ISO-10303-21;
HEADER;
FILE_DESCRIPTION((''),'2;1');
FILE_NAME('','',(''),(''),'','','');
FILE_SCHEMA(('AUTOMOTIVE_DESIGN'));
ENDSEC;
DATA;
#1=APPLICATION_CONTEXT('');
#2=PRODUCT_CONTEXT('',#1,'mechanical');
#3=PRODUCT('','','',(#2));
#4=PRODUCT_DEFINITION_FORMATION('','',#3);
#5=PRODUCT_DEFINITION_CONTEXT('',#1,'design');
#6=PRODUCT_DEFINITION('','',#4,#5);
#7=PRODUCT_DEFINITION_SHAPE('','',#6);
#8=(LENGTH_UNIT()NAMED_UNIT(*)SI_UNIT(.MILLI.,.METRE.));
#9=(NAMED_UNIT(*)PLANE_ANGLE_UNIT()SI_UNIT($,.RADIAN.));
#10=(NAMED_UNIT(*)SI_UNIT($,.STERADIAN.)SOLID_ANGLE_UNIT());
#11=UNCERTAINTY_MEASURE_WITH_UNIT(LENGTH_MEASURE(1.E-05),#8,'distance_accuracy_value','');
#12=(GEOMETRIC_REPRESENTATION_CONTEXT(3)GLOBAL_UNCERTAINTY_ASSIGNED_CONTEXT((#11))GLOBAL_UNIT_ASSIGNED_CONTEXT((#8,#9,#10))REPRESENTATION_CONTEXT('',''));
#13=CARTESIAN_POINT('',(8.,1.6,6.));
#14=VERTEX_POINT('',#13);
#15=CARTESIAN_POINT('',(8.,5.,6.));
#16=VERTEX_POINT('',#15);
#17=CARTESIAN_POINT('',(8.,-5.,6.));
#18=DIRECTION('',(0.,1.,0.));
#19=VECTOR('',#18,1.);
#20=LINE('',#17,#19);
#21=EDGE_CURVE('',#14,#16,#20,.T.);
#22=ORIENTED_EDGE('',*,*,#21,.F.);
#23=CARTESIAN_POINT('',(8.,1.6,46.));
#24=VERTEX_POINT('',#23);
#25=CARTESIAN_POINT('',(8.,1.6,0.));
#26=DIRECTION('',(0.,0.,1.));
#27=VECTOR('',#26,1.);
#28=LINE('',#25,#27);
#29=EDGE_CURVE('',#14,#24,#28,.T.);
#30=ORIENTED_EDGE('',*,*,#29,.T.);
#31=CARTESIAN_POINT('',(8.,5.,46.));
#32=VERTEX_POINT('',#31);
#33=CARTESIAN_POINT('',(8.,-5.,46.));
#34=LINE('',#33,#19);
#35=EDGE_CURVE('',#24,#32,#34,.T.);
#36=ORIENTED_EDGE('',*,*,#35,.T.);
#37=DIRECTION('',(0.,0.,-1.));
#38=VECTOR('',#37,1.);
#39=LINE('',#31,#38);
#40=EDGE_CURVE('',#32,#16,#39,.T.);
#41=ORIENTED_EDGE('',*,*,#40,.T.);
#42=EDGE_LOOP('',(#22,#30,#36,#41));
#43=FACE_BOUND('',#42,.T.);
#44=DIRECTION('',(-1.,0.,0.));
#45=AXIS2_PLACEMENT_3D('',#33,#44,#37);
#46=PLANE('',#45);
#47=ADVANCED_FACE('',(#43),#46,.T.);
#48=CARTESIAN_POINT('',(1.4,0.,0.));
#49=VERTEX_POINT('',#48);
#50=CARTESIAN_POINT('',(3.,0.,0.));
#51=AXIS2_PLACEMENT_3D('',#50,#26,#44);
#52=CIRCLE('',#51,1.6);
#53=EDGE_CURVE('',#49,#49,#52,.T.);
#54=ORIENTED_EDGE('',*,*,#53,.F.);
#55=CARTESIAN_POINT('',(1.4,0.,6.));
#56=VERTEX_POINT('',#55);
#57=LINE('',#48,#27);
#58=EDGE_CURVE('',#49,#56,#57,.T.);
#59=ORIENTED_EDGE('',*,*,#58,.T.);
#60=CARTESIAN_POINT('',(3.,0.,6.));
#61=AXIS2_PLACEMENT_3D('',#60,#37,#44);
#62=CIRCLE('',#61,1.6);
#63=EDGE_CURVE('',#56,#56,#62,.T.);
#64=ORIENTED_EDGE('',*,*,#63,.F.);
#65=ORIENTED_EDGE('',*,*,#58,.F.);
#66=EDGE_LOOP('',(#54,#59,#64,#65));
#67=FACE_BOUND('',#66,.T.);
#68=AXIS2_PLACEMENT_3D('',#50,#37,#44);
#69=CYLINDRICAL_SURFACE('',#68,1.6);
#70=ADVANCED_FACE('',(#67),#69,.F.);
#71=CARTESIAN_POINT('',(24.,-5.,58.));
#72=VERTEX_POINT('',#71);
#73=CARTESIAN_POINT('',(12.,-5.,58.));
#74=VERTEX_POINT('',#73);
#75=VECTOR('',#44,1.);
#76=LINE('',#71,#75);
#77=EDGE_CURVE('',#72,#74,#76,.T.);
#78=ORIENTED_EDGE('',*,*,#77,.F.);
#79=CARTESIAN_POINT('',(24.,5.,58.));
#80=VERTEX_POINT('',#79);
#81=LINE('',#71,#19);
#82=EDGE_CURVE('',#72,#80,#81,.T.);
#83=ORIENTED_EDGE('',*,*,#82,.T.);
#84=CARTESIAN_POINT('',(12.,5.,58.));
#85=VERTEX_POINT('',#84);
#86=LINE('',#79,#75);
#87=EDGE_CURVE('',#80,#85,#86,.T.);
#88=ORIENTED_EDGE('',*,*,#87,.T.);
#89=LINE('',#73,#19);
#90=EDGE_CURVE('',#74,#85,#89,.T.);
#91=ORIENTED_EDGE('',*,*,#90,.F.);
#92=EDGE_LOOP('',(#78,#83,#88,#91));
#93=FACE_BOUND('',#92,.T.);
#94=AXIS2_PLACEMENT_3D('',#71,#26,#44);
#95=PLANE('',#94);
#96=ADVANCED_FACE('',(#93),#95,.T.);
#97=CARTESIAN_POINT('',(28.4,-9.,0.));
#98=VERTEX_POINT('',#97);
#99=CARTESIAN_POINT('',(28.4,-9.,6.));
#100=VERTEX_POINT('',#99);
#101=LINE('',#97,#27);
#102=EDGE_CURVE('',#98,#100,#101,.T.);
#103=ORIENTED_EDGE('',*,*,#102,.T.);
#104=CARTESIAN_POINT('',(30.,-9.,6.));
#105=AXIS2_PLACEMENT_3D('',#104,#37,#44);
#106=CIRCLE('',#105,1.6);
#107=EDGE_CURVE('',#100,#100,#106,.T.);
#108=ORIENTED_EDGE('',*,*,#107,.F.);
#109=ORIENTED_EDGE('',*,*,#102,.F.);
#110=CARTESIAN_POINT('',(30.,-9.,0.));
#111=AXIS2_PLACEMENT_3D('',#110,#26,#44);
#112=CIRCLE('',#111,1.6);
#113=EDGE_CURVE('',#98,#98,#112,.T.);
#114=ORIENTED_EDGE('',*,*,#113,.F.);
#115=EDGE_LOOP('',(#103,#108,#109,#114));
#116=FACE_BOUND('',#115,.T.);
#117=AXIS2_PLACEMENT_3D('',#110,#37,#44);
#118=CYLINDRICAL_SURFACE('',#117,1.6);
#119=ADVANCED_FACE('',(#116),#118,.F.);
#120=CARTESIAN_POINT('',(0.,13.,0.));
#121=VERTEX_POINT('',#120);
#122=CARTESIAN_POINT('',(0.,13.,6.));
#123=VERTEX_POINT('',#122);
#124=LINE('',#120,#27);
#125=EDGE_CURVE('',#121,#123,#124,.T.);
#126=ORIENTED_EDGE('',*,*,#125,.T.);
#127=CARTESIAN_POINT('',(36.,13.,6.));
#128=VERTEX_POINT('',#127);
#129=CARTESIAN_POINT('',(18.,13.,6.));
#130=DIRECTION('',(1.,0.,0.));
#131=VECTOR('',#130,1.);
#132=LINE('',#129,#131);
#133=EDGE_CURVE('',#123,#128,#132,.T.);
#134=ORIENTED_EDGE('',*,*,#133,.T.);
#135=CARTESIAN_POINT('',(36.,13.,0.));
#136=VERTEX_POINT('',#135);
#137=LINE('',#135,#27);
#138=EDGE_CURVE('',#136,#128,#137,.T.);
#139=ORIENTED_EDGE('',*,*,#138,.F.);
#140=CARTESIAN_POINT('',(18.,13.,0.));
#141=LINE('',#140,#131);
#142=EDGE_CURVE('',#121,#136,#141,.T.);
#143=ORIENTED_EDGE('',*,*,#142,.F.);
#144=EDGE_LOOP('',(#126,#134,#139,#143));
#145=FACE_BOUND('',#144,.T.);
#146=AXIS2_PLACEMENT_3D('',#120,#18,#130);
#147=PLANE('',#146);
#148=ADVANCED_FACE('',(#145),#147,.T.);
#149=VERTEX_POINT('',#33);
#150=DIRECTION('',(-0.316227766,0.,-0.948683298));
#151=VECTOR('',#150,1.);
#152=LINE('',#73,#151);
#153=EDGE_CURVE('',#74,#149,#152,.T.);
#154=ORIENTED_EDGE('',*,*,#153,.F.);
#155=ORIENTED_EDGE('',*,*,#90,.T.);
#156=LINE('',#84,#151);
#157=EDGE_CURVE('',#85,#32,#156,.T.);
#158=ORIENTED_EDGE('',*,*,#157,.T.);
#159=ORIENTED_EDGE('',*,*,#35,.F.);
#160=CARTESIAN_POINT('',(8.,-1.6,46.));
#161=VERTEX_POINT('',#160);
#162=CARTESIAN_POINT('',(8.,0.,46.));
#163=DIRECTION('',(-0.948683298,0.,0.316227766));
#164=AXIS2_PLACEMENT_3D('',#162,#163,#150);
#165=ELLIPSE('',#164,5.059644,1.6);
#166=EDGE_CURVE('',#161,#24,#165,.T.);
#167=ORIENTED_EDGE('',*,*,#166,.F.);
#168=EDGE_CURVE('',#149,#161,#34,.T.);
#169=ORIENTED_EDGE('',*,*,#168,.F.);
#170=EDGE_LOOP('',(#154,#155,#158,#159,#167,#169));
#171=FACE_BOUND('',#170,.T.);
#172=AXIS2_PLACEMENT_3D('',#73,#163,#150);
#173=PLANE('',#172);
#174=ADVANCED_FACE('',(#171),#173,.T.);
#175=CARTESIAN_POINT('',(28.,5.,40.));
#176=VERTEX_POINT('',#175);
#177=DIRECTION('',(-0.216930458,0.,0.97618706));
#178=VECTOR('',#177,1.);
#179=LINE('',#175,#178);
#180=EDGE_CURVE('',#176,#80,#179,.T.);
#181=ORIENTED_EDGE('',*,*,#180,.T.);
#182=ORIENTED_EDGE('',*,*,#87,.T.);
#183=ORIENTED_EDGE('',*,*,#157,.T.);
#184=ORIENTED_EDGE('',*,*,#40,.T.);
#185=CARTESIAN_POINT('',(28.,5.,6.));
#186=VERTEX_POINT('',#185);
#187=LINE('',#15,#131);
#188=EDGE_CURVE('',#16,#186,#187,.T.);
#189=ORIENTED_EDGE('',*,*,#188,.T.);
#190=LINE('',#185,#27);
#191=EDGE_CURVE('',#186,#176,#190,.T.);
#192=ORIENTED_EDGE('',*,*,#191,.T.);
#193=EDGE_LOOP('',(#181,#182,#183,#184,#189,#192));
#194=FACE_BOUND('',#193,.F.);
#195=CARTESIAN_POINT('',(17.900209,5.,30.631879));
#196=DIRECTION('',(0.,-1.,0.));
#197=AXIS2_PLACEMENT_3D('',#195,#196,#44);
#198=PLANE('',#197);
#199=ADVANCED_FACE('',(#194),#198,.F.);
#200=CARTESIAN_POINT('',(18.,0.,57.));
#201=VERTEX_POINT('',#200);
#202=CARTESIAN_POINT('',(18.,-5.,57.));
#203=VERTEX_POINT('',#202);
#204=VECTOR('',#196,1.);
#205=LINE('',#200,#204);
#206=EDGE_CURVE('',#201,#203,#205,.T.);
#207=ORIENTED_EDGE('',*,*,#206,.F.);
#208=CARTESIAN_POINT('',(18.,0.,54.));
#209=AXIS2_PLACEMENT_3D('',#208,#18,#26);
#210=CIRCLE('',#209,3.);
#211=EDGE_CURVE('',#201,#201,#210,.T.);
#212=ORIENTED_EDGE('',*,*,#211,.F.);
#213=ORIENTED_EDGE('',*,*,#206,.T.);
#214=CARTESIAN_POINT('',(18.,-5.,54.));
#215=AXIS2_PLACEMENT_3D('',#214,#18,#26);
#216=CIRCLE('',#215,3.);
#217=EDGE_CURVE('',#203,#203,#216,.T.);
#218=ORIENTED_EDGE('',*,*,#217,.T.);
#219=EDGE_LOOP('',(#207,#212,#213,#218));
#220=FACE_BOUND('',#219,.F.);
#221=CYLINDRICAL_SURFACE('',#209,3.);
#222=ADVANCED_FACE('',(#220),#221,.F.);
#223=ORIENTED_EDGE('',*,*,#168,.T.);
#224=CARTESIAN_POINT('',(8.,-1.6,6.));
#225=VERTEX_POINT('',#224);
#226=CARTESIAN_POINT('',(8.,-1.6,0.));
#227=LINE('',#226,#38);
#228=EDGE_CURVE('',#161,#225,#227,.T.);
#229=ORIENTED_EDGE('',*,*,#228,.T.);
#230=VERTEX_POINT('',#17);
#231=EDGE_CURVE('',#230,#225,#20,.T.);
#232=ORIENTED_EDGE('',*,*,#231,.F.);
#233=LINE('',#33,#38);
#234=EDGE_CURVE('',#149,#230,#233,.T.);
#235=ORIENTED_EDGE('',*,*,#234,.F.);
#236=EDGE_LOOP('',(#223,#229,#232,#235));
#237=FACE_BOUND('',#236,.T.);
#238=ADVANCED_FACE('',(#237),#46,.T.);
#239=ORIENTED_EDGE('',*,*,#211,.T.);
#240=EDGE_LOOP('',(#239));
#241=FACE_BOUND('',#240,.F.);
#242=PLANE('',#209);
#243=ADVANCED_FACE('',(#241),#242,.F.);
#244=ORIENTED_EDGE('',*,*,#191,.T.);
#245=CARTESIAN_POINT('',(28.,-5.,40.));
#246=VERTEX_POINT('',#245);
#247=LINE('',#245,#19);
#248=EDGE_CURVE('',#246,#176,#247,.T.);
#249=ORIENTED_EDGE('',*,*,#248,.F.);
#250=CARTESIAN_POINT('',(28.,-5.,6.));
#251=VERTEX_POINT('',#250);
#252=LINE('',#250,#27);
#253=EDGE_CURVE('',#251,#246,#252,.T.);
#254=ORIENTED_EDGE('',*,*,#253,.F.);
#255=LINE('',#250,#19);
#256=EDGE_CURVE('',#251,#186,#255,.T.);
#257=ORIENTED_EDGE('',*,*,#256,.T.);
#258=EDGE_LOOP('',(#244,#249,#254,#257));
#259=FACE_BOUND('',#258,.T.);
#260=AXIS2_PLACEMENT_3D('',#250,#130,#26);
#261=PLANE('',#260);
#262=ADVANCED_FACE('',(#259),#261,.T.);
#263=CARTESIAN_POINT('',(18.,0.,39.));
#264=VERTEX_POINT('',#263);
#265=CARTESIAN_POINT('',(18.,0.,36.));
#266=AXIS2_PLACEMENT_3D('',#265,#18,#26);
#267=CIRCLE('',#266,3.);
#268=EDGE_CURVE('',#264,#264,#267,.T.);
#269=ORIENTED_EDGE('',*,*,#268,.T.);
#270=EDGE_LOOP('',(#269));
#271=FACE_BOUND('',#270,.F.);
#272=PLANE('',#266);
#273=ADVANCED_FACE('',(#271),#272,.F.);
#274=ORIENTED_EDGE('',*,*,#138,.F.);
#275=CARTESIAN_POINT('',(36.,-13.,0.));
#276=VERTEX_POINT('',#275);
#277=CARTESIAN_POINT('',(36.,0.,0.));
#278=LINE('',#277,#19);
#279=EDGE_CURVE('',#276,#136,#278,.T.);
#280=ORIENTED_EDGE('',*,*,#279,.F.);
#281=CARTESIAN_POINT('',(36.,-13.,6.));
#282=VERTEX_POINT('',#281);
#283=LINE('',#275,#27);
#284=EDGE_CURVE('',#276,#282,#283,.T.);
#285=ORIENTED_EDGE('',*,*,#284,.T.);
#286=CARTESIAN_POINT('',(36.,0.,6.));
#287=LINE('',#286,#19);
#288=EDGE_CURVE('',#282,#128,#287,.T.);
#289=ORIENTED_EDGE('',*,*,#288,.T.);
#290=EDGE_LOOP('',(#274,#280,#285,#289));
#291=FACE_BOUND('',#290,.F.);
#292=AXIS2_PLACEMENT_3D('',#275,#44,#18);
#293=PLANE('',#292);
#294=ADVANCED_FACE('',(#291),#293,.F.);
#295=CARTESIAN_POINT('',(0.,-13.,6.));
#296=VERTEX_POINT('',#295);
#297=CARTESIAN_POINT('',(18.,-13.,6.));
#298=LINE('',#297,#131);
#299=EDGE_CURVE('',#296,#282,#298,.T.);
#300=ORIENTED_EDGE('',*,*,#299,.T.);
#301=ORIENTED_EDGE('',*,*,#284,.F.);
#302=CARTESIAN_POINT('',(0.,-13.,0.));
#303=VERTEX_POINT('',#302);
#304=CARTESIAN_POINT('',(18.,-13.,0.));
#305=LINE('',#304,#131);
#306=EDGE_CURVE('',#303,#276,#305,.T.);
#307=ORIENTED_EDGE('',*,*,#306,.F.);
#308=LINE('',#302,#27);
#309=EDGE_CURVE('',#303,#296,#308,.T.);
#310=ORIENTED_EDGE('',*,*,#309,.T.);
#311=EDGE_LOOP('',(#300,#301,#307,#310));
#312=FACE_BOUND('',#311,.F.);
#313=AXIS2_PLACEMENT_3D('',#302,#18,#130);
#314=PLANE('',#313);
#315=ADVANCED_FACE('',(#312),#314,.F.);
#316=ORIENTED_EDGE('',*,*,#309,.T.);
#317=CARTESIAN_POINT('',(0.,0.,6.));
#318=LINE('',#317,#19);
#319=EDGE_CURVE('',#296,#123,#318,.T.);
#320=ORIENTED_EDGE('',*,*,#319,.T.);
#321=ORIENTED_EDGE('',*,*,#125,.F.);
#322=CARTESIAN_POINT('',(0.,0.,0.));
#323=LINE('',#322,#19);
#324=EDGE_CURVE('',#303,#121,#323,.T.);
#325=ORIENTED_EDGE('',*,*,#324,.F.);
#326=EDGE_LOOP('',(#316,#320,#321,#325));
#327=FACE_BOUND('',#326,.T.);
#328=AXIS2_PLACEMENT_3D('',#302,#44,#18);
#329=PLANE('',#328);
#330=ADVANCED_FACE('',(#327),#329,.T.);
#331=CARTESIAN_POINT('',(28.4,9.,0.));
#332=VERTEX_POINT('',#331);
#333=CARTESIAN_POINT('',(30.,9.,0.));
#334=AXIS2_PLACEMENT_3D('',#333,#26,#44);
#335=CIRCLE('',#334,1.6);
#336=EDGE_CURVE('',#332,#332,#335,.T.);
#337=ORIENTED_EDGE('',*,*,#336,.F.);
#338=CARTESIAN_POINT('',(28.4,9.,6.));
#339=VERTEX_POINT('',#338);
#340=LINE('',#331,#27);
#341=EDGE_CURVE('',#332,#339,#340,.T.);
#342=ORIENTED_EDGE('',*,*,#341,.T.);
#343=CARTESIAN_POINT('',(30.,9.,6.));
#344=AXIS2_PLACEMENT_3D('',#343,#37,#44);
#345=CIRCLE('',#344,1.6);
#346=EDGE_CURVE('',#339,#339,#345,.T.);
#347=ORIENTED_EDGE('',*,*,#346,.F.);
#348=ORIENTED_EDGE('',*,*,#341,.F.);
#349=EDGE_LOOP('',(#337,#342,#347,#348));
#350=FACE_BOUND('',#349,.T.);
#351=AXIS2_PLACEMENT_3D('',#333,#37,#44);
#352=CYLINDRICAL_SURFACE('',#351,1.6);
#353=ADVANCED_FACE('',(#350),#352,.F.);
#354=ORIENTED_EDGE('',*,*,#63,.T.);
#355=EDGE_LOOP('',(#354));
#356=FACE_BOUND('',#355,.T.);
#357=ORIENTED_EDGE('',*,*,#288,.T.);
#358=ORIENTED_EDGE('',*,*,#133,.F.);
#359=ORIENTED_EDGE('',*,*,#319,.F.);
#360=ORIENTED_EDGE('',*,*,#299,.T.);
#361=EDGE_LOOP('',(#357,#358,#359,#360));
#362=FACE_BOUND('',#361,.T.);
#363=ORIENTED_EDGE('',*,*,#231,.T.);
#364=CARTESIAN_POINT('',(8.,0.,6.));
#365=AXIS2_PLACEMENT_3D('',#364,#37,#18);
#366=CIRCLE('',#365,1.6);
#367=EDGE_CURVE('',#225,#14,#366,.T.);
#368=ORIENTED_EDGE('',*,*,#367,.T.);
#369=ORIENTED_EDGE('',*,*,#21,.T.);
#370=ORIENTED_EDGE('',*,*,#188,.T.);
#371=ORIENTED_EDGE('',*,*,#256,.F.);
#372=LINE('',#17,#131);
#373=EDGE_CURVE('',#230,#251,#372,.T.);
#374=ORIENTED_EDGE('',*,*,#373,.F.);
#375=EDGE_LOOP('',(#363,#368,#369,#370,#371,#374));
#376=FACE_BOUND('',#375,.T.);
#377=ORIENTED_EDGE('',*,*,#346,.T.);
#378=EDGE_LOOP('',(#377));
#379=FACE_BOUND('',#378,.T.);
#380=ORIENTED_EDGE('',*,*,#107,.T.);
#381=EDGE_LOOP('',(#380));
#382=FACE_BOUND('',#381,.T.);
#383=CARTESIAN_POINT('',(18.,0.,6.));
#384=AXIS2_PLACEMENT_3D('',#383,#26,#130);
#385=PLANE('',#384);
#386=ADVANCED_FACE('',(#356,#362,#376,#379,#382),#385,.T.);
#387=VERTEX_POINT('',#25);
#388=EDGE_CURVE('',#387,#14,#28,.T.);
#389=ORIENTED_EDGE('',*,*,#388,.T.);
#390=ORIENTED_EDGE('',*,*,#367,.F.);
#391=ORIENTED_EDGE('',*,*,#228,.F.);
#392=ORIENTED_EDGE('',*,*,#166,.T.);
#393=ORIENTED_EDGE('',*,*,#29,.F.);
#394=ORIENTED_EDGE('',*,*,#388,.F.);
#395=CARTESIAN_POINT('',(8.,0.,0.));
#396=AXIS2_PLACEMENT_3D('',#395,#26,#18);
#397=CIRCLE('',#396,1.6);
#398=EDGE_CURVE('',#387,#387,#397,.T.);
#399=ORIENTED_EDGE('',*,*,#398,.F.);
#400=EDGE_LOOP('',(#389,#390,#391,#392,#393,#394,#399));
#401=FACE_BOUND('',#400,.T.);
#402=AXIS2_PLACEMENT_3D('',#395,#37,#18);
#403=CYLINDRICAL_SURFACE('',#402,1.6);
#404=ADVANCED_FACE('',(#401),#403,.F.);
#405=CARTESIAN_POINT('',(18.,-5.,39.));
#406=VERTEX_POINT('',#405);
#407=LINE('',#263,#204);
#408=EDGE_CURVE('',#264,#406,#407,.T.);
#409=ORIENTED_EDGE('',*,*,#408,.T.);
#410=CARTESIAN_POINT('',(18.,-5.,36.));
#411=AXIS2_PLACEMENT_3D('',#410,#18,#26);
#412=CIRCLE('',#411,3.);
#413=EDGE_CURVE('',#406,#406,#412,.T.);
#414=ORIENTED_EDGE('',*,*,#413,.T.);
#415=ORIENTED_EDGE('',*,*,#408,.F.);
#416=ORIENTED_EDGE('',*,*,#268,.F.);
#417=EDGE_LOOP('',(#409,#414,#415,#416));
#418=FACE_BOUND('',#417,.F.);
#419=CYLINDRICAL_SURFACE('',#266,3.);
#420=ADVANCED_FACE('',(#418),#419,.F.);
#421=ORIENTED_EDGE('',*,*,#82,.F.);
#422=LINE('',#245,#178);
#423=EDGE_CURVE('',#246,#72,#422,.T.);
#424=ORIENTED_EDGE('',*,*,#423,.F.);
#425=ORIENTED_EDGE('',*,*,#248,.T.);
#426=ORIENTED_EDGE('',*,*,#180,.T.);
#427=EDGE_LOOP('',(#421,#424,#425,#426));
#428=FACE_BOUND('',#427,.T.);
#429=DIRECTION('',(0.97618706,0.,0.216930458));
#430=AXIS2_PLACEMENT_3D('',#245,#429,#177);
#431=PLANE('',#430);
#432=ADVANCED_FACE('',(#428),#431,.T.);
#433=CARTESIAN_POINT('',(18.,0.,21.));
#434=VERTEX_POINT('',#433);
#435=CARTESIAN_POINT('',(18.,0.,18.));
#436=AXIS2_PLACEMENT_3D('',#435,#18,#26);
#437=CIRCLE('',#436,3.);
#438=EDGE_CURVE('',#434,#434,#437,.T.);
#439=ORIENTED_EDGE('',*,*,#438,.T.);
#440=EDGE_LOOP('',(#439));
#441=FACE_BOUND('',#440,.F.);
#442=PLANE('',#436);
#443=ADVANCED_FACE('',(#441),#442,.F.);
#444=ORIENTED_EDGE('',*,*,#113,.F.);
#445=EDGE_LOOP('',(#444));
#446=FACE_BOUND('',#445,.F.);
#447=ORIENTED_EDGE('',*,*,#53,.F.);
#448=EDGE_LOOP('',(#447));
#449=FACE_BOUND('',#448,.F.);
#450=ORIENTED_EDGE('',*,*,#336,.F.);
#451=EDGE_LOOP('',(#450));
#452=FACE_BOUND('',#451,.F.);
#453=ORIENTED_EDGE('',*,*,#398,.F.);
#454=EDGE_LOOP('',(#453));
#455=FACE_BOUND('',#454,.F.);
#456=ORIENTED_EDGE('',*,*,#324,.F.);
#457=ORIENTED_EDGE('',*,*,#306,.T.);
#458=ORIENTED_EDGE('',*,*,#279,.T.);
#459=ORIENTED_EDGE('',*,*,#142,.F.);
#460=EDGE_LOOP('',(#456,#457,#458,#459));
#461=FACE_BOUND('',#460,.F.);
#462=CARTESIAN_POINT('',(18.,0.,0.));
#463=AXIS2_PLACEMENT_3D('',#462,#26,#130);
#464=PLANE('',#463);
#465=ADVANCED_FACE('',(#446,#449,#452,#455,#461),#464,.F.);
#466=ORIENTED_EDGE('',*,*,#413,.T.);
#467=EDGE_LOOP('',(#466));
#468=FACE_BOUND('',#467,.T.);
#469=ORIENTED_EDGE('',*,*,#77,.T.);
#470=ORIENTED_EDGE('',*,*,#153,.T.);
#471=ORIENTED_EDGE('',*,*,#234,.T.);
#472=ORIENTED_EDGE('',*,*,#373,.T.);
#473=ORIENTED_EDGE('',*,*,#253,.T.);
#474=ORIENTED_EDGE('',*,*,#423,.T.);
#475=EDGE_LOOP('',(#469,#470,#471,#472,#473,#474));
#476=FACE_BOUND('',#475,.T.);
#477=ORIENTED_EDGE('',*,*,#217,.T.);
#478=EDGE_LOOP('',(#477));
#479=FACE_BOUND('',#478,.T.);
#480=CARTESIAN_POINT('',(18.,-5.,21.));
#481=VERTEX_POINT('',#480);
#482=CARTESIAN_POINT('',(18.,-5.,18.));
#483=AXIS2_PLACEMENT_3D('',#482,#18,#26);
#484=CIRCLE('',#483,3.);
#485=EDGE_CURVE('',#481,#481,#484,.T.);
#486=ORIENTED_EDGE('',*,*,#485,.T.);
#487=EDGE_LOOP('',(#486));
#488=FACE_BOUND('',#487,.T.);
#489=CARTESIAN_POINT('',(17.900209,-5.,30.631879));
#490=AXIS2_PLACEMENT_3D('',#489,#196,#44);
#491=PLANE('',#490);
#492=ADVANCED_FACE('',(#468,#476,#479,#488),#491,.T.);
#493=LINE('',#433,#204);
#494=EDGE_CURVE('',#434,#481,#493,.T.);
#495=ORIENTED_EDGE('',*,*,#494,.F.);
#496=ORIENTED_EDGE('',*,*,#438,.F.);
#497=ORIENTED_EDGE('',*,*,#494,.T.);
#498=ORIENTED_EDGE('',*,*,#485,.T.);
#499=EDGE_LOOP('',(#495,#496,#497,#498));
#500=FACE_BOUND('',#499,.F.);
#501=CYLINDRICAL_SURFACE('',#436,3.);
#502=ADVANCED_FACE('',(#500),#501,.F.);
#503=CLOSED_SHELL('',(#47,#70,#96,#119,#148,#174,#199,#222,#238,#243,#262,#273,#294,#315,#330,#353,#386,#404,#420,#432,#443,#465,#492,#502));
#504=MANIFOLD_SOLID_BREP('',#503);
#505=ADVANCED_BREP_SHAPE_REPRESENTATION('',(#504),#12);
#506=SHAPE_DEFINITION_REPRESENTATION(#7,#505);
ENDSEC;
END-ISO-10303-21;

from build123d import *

# Parameters (mm, degrees)
SKETCH_1_W          = 36
SKETCH_1_H          = 26
EXTRUDE_1_DEPTH     = 6
EXTRUDE_START       = -5
EXTRUDE_2_DEPTH     = 10
SKETCH_3_R          = 1.6
CUT_EXTRUDE_2_DEPTH = 70.491006612
SKETCH_4_R          = 3
CUT_EXTRUDE_3_DEPTH = 70.491006612


with BuildPart() as part:
    # 草图1 → 凸台-拉伸1 (new body)
    with BuildSketch(Plane.XY):
        with Locations((18, 0)):
            Rectangle(SKETCH_1_W, SKETCH_1_H)
    extrude(amount=EXTRUDE_1_DEPTH)

    # 草图2 → 凸台-拉伸2 (add)
    with BuildSketch(Plane(origin=(0, 0, 0), x_dir=(1, 0, 0), z_dir=(0, 1, 0)).offset(EXTRUDE_START)):
        Polygon((8, -6), (28, -6), (28, -40), (24, -58), (12, -58), (8, -46), align=None)
    extrude(amount=EXTRUDE_2_DEPTH)

    # 草图3 → 切除-拉伸2 (cut, through all)
    with BuildSketch(Plane.XY):
        with Locations(Location((8, 0, 0), (0, 0, 90))):
            Circle(SKETCH_3_R)
        with Locations(Location((30, -9, 0), (0, 0, 180))):
            Circle(SKETCH_3_R)
        with Locations(Location((30, 9, 0), (0, 0, 180))):
            Circle(SKETCH_3_R)
        with Locations(Location((3, 0, 0), (0, 0, 180))):
            Circle(SKETCH_3_R)
    extrude(amount=CUT_EXTRUDE_2_DEPTH, mode=Mode.SUBTRACT)

    # 草图4 → 切除-拉伸3 (cut, through all)
    with BuildSketch(Plane(origin=(0, 0, 0), x_dir=(1, 0, 0), z_dir=(0, 1, 0))):
        with Locations(Location((18, -54, 0), (0, 0, 270))):
            Circle(SKETCH_4_R)
        with Locations(Location((18, -18, 0), (0, 0, 270))):
            Circle(SKETCH_4_R)
        with Locations(Location((18, -36, 0), (0, 0, 270))):
            Circle(SKETCH_4_R)
    extrude(amount=-CUT_EXTRUDE_3_DEPTH, mode=Mode.SUBTRACT)


solid = part.part
